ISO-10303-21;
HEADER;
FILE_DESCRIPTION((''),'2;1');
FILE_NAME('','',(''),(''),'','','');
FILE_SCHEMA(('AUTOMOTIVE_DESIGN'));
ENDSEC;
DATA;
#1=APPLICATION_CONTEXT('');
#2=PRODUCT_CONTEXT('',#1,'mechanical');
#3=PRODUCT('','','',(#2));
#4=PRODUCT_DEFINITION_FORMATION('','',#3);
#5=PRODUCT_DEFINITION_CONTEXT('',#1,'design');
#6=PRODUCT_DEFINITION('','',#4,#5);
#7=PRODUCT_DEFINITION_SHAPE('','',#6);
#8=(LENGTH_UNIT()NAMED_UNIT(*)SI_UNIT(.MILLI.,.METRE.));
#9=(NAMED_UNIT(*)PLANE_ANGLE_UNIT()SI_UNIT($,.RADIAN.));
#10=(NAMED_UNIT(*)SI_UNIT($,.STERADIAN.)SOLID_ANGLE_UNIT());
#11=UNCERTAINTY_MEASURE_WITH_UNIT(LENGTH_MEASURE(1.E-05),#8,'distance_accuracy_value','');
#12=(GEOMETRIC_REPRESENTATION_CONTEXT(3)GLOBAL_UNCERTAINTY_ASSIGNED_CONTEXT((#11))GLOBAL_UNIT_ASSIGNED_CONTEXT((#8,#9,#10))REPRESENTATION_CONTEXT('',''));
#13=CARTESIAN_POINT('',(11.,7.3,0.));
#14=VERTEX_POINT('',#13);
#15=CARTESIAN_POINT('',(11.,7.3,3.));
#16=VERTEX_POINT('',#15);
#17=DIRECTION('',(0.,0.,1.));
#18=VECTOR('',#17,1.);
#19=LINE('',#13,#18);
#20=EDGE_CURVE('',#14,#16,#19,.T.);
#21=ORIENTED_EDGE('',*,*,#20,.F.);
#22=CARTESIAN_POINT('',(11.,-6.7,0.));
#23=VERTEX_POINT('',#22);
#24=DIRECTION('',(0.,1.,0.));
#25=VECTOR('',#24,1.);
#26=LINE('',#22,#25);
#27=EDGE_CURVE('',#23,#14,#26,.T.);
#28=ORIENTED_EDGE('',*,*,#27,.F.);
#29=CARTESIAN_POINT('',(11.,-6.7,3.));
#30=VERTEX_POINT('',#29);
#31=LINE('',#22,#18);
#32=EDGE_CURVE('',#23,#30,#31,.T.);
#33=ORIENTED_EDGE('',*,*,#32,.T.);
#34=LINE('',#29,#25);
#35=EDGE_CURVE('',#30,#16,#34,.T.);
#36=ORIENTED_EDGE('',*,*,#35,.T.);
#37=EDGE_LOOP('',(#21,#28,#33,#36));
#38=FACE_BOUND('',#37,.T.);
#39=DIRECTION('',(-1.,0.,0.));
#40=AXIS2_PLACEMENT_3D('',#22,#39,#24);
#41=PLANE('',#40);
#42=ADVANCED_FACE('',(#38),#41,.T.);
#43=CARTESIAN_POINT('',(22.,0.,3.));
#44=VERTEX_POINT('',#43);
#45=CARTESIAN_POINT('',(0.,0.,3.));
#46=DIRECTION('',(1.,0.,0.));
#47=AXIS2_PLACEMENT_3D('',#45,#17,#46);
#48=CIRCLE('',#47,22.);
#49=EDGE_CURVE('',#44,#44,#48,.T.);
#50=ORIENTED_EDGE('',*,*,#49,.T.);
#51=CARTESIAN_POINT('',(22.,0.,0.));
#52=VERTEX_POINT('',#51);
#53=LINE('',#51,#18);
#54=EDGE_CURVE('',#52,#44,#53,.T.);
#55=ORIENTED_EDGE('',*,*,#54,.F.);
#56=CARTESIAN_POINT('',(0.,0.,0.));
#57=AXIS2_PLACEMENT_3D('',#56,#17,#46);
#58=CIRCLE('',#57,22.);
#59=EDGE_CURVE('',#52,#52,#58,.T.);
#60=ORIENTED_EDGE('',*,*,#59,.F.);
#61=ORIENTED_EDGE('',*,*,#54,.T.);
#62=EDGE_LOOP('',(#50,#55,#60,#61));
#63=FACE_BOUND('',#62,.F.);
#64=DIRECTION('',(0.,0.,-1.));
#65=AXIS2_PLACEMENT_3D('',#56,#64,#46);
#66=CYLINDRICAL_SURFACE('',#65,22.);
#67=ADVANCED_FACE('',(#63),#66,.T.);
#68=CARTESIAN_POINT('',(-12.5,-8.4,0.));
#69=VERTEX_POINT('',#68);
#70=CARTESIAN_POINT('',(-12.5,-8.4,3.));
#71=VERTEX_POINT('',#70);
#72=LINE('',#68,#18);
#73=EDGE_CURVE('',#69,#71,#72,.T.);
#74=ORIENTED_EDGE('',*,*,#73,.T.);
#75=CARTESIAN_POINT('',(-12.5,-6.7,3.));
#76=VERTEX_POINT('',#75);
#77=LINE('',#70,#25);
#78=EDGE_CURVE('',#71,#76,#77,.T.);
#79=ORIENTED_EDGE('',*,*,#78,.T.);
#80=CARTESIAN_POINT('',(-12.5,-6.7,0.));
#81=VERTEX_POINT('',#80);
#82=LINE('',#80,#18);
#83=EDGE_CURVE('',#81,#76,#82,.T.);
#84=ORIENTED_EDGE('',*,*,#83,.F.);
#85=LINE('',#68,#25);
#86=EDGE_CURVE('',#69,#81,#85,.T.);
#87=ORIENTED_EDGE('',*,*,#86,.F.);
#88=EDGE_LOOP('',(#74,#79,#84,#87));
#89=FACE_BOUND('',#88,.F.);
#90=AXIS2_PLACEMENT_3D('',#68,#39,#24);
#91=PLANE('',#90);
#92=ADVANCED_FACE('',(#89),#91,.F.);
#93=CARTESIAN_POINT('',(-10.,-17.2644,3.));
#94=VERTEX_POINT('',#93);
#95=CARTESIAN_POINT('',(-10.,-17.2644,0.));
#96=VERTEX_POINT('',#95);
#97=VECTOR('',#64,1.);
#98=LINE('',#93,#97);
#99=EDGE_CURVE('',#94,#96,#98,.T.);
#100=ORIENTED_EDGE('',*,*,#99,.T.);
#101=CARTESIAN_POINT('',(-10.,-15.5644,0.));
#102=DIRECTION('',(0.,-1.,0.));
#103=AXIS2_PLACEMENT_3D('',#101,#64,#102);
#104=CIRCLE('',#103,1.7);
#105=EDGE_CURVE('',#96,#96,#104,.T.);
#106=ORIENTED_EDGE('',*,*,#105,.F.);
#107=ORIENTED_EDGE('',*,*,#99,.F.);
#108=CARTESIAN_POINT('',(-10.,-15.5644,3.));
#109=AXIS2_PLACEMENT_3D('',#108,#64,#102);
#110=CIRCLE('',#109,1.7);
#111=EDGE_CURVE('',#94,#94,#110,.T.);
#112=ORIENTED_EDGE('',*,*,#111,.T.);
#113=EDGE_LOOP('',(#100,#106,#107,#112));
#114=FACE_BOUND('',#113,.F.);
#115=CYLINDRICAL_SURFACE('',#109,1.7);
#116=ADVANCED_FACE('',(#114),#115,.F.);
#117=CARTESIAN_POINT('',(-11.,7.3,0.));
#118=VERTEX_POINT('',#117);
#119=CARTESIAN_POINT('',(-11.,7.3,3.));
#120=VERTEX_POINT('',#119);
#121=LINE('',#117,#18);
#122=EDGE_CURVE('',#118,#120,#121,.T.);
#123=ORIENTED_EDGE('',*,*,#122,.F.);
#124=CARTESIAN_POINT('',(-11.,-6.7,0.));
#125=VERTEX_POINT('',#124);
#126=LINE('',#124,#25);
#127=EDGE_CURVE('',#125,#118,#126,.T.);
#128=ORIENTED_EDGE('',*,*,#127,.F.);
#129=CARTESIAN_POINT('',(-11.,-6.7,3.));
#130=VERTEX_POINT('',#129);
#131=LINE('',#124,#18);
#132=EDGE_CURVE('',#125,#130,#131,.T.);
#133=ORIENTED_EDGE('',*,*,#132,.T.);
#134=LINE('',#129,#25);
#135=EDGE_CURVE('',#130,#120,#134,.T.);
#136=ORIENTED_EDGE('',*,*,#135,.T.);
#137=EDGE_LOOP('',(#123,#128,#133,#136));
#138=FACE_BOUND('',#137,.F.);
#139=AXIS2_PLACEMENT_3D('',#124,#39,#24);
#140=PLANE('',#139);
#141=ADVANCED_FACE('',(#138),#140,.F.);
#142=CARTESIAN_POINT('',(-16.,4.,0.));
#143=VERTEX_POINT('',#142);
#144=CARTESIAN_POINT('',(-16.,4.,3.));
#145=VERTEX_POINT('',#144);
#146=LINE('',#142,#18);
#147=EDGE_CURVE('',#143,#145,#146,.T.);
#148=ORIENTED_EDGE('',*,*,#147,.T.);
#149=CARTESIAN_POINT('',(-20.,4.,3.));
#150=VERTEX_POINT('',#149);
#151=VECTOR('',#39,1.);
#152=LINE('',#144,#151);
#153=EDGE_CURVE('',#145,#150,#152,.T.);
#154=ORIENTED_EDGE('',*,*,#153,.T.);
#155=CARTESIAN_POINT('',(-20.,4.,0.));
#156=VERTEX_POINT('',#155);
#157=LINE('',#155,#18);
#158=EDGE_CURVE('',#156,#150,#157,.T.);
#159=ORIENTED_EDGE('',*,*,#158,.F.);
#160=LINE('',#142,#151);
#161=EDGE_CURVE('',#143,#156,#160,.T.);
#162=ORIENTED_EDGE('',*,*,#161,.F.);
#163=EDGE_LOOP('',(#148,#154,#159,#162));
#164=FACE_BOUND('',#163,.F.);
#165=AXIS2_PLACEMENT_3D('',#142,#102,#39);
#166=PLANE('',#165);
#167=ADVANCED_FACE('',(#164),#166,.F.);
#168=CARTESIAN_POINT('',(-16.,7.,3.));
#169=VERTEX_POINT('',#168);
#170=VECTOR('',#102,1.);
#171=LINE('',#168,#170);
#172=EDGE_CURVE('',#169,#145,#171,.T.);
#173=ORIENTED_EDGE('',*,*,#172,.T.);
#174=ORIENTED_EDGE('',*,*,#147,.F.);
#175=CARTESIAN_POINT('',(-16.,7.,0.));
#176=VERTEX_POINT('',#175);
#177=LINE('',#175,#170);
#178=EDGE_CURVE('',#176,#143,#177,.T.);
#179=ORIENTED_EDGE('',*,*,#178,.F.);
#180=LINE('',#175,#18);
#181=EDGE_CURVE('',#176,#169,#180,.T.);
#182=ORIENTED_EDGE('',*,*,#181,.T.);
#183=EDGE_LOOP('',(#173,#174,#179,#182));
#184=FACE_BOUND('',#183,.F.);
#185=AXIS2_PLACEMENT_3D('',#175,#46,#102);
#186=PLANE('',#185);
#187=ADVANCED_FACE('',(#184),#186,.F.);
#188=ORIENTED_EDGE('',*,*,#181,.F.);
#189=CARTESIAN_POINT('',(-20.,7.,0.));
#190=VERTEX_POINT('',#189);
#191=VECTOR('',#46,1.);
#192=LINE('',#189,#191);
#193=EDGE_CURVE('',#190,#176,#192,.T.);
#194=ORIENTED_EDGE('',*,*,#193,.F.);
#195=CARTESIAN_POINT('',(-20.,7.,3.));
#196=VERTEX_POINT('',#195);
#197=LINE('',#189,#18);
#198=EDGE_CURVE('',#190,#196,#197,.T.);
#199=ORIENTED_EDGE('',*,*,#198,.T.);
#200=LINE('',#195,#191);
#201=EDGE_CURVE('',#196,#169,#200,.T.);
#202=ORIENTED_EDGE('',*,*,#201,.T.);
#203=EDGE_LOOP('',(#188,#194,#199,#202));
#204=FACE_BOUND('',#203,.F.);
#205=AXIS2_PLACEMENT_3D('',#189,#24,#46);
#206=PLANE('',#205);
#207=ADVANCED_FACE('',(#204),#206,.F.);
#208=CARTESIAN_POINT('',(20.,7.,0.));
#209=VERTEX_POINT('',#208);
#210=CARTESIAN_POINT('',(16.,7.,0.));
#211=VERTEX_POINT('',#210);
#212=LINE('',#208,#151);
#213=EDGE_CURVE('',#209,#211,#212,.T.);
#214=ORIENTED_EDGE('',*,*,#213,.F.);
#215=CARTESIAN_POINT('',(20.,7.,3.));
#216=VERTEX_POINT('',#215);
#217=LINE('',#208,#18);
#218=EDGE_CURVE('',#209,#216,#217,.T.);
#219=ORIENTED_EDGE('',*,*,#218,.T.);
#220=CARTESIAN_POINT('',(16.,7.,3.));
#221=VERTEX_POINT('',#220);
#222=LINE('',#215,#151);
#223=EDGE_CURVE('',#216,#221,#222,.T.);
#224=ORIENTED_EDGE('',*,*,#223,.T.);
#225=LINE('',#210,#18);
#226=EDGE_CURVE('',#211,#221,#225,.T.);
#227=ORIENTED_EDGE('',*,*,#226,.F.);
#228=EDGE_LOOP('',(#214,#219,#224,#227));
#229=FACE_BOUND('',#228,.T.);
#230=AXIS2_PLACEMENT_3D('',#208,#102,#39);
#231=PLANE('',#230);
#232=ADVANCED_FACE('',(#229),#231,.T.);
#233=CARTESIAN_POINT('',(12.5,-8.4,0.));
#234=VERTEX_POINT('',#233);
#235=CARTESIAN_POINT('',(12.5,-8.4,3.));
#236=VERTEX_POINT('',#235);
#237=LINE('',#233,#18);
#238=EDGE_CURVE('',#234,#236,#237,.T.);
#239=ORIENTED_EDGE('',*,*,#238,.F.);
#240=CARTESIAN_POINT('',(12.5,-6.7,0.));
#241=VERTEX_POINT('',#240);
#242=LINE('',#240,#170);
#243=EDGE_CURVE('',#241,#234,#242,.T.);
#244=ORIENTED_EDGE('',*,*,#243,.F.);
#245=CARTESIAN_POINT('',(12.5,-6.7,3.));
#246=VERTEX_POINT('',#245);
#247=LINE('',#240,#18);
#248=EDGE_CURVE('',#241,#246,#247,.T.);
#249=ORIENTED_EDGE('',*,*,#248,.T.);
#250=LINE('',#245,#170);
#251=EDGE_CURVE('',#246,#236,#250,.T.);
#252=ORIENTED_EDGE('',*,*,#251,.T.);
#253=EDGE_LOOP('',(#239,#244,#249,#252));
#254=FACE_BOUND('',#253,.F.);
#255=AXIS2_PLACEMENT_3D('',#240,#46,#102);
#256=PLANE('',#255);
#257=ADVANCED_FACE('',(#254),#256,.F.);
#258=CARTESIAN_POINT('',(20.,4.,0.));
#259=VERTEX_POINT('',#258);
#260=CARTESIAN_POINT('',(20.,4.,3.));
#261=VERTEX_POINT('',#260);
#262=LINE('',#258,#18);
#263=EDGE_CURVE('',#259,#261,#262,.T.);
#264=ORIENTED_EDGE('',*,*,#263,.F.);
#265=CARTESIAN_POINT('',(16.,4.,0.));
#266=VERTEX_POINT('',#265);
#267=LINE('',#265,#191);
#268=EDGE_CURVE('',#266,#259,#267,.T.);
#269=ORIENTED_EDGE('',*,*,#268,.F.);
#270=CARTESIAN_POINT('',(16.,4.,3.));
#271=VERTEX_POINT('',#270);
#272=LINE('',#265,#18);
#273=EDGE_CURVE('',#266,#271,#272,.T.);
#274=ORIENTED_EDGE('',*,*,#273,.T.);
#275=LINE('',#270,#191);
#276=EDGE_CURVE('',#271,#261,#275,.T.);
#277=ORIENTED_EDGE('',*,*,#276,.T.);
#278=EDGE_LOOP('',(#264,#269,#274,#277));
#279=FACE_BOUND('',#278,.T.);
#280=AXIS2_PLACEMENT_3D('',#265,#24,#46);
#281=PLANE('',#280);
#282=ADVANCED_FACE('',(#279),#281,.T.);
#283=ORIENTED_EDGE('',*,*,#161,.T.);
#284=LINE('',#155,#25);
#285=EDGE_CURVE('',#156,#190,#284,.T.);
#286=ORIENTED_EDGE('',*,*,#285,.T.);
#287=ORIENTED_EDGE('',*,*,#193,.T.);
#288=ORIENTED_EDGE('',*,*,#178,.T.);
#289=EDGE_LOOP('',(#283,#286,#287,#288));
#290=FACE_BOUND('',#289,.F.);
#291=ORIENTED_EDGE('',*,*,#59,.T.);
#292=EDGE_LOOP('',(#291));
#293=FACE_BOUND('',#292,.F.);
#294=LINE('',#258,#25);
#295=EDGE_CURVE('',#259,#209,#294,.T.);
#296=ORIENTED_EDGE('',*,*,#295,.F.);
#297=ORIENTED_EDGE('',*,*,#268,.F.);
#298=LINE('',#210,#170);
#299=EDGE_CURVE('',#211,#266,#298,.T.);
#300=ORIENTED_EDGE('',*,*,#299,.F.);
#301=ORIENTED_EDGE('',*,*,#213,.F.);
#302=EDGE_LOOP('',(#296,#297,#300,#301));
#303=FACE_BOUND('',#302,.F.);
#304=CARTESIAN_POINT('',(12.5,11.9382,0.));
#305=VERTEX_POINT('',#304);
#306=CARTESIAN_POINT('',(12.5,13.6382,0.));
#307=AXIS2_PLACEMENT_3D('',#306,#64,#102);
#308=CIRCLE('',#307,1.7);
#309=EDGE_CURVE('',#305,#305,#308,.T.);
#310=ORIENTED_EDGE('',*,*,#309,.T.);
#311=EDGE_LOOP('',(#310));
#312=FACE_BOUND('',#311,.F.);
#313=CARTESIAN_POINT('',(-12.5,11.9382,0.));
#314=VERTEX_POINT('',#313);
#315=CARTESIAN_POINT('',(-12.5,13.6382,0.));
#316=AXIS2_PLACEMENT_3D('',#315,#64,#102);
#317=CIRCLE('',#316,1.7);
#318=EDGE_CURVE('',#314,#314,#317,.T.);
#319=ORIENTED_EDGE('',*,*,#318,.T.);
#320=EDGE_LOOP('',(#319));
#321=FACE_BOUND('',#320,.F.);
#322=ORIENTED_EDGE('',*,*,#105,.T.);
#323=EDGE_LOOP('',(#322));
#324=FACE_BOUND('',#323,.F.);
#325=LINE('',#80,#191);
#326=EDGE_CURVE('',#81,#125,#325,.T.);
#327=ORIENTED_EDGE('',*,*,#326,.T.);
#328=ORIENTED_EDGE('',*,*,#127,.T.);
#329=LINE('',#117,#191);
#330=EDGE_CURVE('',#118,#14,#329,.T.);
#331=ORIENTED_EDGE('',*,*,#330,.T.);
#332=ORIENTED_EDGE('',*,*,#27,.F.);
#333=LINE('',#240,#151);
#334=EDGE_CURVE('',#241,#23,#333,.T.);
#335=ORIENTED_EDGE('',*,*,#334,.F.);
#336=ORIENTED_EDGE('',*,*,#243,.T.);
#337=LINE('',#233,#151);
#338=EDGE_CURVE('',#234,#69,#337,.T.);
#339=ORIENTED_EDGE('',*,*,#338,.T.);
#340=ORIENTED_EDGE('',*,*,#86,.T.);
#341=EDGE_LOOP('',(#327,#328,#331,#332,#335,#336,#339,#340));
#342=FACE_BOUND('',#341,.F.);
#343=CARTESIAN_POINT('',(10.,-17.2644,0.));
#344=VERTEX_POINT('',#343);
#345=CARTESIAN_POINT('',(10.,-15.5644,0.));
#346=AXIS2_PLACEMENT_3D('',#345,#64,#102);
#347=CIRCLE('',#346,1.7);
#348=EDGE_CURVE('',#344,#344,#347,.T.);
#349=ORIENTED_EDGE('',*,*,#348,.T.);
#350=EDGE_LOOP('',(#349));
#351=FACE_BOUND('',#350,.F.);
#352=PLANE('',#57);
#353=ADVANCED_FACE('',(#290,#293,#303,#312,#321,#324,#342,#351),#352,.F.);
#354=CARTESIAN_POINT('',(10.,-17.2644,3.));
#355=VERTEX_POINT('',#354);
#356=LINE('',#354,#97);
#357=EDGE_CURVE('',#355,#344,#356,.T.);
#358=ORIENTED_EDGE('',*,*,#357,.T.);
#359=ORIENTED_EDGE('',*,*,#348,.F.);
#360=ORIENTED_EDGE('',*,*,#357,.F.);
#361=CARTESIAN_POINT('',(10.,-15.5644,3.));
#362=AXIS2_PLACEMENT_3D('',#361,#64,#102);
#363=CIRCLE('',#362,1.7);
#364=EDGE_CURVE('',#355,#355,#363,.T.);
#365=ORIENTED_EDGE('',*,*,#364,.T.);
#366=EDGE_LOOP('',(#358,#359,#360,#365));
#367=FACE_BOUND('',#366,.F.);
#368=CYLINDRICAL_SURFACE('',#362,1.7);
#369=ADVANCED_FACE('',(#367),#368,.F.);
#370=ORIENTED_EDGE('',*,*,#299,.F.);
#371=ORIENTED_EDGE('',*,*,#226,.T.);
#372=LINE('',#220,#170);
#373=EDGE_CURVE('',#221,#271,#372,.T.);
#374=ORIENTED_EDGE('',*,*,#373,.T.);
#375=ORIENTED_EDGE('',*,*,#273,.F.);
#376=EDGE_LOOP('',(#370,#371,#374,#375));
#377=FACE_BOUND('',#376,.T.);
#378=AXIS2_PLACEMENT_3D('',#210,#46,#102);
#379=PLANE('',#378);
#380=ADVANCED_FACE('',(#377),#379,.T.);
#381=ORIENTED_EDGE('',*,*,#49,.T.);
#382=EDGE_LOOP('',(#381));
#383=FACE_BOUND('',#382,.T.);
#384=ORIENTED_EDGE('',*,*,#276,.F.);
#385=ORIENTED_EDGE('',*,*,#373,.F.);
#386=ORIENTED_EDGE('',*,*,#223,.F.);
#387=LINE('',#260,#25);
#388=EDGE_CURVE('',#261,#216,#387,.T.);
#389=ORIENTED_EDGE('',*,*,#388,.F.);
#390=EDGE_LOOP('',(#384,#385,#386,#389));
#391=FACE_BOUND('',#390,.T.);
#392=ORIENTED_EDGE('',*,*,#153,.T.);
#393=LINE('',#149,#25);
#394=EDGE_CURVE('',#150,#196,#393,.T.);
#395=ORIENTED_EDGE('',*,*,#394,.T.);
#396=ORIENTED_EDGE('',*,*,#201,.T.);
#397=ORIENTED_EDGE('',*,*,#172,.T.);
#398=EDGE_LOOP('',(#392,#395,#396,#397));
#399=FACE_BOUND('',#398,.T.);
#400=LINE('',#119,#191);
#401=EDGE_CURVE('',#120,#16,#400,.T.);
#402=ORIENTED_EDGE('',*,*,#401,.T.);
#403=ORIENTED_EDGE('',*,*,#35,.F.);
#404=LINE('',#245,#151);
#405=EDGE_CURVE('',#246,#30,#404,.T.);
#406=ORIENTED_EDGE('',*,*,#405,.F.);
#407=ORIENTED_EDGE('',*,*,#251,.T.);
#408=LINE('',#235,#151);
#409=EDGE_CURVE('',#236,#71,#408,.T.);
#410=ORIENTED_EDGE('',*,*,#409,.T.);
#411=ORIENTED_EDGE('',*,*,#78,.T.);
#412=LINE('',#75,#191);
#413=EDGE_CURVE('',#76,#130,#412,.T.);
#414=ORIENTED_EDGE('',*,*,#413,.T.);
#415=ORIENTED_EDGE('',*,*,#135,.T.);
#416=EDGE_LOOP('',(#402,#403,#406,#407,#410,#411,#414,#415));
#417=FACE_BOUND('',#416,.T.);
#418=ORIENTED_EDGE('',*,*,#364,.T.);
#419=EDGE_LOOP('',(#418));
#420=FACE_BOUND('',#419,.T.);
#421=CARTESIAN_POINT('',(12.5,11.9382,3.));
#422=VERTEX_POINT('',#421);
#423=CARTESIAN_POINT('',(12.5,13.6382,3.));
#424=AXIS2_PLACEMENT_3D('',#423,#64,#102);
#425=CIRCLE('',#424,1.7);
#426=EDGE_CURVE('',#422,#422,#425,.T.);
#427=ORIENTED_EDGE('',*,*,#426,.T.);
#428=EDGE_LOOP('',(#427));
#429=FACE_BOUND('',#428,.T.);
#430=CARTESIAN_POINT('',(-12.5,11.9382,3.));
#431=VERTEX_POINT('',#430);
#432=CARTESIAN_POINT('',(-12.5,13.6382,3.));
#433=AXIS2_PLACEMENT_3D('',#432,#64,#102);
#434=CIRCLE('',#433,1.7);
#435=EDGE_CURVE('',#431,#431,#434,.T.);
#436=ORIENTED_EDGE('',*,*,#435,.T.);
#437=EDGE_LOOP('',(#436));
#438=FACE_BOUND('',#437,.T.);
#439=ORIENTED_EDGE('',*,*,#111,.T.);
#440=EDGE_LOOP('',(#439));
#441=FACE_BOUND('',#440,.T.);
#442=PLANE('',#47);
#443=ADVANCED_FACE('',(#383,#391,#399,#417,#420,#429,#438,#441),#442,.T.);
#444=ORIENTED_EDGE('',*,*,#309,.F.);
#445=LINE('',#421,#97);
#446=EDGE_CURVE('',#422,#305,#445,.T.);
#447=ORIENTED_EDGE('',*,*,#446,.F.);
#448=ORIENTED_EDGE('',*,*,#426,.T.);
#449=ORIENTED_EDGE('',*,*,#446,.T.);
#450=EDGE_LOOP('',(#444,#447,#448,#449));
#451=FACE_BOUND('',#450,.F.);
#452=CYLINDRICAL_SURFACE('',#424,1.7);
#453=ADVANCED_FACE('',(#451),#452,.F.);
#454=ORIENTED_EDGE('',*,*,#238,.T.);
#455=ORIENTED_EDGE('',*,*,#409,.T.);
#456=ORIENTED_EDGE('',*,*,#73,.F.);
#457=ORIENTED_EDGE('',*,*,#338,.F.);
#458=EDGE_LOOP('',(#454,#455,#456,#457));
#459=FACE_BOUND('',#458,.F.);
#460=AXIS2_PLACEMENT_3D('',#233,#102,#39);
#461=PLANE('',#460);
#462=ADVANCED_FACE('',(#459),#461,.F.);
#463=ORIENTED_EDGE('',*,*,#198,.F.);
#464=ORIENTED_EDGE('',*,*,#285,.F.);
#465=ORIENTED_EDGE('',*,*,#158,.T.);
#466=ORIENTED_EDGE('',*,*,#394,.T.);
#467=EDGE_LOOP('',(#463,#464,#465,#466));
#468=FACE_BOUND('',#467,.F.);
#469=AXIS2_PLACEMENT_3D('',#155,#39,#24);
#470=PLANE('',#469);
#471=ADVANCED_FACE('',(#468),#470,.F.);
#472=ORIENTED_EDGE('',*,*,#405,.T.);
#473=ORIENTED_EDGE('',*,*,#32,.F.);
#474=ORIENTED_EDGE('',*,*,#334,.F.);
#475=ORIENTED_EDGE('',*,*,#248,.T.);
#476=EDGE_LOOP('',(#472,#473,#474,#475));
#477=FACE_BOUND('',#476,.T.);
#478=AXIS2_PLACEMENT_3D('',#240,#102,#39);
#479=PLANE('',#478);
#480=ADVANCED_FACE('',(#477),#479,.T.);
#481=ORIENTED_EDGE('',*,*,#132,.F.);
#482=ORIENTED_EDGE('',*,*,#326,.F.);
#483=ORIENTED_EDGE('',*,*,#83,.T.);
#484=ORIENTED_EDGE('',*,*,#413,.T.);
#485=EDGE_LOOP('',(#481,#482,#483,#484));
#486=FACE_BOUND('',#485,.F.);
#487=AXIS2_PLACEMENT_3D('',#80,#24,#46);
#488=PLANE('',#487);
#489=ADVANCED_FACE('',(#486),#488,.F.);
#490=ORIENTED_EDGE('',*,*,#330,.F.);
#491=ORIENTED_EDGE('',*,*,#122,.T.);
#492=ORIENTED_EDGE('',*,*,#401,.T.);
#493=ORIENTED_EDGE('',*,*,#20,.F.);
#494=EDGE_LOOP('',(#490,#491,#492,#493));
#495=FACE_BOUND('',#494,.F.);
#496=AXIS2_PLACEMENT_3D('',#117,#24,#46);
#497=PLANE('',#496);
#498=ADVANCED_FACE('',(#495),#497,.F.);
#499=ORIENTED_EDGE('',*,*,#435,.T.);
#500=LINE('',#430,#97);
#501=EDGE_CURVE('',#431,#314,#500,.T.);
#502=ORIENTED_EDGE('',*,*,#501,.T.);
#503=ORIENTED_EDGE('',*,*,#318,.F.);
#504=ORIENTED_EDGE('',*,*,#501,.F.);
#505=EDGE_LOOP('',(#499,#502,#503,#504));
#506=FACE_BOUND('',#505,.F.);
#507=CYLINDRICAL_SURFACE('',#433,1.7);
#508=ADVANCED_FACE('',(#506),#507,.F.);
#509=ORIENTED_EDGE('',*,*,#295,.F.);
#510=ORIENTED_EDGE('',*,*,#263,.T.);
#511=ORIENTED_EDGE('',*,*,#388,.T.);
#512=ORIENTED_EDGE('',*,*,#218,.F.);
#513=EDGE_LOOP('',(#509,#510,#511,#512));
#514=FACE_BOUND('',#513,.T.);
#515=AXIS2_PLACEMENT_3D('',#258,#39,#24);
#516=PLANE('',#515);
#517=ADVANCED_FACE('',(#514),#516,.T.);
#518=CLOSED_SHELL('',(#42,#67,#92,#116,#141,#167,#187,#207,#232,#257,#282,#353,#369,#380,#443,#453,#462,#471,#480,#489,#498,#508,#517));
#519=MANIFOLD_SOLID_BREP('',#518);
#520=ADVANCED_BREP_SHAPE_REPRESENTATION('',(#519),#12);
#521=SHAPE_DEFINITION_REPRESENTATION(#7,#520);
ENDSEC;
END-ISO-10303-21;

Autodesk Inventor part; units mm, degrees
ref_plane "Plan YZ" through (0, 0, 0) normal (1, 0, 0) x (0, 1, 0)
ref_plane "Plan XZ" through (0, 0, 0) normal (0, 1, 0) x (-1, 0, 0)
ref_plane "Plan XY" through (0, 0, 0) normal (0, 0, 1) x (1, 0, 0)
sketch "Esquisse1" plane through (0, 0, 0) normal (0, 0, 1) x (1, 0, 0)
  circle A0 centre (0, 0) radius 22
  line L0 (12.5, -6.7) -> (12.5, -8.4)
  line L1 (12.5, -8.4) -> (-12.5, -8.4)
  line L2 (-12.5, -8.4) -> (-12.5, -6.7)
  line L3 (-11, -6.7) -> (-11, 7.3)
  line L4 (11, -6.7) -> (11, 7.3)
  line L5 (-12.5, -6.7) -> (-11, -6.7)
  line L6 (12.5, -6.7) -> (11, -6.7)
  line L7 (-11, 7.3) -> (11, 7.3)
  line L8 (-20, 7) -> (-16, 7)
  line L9 (-16, 7) -> (-16, 4)
  line L10 (-16, 4) -> (-20, 4)
  line L11 (-20, 4) -> (-20, 7)
  line L12 (20, 7) -> (16, 7)
  line L13 (16, 7) -> (16, 4)
  line L14 (16, 4) -> (20, 4)
  line L15 (20, 4) -> (20, 7)
  line L16 (-30.8, 0) -> (30.8, 0) construction
  line L17 (0, -30.8) -> (0, 30.8) construction
  dimension "d0" = 44
  dimension "d17" = 1.5
  dimension "d23" = 3
  dimension "d24" = 4
  dimension "d25" = 32
  dimension "d38" = 4
  dimension "d43" = 1.7
  dimension "d44" = 14
  dimension "d47" = 25
  dimension "d57" = 6.7
extrude "Extrusion4" add sketch "Esquisse1" along normal blind 3
sketch "Esquisse7" plane through (0, 0, 3) normal (0, 0, 1) x (1, 0, 0)
  circle A0 centre (0, 0) radius 18.5 construction
  point P0 (-12.5, 13.6382)
  point P1 (12.5, 13.6382)
  point P2 (-10, -15.5644)
  point P3 (10, -15.5644)
  dimension "d58" = 37
  dimension "d59" = 25
  dimension "d60" = 20
hole "Perçage2" at (-12.5, 13.6382, 3) at (12.5, 13.6382, 3) at (-10, -15.5644, 3) at (10, -15.5644, 3) direction (0, 0, -1) diameter 3.4 end through all clearance for "Vis d'assemblage à six pans creux ISO 4762" size "M3" standard "ISO"
properties part number "S1702_couverclereplat" material "Plastique PMMA"
